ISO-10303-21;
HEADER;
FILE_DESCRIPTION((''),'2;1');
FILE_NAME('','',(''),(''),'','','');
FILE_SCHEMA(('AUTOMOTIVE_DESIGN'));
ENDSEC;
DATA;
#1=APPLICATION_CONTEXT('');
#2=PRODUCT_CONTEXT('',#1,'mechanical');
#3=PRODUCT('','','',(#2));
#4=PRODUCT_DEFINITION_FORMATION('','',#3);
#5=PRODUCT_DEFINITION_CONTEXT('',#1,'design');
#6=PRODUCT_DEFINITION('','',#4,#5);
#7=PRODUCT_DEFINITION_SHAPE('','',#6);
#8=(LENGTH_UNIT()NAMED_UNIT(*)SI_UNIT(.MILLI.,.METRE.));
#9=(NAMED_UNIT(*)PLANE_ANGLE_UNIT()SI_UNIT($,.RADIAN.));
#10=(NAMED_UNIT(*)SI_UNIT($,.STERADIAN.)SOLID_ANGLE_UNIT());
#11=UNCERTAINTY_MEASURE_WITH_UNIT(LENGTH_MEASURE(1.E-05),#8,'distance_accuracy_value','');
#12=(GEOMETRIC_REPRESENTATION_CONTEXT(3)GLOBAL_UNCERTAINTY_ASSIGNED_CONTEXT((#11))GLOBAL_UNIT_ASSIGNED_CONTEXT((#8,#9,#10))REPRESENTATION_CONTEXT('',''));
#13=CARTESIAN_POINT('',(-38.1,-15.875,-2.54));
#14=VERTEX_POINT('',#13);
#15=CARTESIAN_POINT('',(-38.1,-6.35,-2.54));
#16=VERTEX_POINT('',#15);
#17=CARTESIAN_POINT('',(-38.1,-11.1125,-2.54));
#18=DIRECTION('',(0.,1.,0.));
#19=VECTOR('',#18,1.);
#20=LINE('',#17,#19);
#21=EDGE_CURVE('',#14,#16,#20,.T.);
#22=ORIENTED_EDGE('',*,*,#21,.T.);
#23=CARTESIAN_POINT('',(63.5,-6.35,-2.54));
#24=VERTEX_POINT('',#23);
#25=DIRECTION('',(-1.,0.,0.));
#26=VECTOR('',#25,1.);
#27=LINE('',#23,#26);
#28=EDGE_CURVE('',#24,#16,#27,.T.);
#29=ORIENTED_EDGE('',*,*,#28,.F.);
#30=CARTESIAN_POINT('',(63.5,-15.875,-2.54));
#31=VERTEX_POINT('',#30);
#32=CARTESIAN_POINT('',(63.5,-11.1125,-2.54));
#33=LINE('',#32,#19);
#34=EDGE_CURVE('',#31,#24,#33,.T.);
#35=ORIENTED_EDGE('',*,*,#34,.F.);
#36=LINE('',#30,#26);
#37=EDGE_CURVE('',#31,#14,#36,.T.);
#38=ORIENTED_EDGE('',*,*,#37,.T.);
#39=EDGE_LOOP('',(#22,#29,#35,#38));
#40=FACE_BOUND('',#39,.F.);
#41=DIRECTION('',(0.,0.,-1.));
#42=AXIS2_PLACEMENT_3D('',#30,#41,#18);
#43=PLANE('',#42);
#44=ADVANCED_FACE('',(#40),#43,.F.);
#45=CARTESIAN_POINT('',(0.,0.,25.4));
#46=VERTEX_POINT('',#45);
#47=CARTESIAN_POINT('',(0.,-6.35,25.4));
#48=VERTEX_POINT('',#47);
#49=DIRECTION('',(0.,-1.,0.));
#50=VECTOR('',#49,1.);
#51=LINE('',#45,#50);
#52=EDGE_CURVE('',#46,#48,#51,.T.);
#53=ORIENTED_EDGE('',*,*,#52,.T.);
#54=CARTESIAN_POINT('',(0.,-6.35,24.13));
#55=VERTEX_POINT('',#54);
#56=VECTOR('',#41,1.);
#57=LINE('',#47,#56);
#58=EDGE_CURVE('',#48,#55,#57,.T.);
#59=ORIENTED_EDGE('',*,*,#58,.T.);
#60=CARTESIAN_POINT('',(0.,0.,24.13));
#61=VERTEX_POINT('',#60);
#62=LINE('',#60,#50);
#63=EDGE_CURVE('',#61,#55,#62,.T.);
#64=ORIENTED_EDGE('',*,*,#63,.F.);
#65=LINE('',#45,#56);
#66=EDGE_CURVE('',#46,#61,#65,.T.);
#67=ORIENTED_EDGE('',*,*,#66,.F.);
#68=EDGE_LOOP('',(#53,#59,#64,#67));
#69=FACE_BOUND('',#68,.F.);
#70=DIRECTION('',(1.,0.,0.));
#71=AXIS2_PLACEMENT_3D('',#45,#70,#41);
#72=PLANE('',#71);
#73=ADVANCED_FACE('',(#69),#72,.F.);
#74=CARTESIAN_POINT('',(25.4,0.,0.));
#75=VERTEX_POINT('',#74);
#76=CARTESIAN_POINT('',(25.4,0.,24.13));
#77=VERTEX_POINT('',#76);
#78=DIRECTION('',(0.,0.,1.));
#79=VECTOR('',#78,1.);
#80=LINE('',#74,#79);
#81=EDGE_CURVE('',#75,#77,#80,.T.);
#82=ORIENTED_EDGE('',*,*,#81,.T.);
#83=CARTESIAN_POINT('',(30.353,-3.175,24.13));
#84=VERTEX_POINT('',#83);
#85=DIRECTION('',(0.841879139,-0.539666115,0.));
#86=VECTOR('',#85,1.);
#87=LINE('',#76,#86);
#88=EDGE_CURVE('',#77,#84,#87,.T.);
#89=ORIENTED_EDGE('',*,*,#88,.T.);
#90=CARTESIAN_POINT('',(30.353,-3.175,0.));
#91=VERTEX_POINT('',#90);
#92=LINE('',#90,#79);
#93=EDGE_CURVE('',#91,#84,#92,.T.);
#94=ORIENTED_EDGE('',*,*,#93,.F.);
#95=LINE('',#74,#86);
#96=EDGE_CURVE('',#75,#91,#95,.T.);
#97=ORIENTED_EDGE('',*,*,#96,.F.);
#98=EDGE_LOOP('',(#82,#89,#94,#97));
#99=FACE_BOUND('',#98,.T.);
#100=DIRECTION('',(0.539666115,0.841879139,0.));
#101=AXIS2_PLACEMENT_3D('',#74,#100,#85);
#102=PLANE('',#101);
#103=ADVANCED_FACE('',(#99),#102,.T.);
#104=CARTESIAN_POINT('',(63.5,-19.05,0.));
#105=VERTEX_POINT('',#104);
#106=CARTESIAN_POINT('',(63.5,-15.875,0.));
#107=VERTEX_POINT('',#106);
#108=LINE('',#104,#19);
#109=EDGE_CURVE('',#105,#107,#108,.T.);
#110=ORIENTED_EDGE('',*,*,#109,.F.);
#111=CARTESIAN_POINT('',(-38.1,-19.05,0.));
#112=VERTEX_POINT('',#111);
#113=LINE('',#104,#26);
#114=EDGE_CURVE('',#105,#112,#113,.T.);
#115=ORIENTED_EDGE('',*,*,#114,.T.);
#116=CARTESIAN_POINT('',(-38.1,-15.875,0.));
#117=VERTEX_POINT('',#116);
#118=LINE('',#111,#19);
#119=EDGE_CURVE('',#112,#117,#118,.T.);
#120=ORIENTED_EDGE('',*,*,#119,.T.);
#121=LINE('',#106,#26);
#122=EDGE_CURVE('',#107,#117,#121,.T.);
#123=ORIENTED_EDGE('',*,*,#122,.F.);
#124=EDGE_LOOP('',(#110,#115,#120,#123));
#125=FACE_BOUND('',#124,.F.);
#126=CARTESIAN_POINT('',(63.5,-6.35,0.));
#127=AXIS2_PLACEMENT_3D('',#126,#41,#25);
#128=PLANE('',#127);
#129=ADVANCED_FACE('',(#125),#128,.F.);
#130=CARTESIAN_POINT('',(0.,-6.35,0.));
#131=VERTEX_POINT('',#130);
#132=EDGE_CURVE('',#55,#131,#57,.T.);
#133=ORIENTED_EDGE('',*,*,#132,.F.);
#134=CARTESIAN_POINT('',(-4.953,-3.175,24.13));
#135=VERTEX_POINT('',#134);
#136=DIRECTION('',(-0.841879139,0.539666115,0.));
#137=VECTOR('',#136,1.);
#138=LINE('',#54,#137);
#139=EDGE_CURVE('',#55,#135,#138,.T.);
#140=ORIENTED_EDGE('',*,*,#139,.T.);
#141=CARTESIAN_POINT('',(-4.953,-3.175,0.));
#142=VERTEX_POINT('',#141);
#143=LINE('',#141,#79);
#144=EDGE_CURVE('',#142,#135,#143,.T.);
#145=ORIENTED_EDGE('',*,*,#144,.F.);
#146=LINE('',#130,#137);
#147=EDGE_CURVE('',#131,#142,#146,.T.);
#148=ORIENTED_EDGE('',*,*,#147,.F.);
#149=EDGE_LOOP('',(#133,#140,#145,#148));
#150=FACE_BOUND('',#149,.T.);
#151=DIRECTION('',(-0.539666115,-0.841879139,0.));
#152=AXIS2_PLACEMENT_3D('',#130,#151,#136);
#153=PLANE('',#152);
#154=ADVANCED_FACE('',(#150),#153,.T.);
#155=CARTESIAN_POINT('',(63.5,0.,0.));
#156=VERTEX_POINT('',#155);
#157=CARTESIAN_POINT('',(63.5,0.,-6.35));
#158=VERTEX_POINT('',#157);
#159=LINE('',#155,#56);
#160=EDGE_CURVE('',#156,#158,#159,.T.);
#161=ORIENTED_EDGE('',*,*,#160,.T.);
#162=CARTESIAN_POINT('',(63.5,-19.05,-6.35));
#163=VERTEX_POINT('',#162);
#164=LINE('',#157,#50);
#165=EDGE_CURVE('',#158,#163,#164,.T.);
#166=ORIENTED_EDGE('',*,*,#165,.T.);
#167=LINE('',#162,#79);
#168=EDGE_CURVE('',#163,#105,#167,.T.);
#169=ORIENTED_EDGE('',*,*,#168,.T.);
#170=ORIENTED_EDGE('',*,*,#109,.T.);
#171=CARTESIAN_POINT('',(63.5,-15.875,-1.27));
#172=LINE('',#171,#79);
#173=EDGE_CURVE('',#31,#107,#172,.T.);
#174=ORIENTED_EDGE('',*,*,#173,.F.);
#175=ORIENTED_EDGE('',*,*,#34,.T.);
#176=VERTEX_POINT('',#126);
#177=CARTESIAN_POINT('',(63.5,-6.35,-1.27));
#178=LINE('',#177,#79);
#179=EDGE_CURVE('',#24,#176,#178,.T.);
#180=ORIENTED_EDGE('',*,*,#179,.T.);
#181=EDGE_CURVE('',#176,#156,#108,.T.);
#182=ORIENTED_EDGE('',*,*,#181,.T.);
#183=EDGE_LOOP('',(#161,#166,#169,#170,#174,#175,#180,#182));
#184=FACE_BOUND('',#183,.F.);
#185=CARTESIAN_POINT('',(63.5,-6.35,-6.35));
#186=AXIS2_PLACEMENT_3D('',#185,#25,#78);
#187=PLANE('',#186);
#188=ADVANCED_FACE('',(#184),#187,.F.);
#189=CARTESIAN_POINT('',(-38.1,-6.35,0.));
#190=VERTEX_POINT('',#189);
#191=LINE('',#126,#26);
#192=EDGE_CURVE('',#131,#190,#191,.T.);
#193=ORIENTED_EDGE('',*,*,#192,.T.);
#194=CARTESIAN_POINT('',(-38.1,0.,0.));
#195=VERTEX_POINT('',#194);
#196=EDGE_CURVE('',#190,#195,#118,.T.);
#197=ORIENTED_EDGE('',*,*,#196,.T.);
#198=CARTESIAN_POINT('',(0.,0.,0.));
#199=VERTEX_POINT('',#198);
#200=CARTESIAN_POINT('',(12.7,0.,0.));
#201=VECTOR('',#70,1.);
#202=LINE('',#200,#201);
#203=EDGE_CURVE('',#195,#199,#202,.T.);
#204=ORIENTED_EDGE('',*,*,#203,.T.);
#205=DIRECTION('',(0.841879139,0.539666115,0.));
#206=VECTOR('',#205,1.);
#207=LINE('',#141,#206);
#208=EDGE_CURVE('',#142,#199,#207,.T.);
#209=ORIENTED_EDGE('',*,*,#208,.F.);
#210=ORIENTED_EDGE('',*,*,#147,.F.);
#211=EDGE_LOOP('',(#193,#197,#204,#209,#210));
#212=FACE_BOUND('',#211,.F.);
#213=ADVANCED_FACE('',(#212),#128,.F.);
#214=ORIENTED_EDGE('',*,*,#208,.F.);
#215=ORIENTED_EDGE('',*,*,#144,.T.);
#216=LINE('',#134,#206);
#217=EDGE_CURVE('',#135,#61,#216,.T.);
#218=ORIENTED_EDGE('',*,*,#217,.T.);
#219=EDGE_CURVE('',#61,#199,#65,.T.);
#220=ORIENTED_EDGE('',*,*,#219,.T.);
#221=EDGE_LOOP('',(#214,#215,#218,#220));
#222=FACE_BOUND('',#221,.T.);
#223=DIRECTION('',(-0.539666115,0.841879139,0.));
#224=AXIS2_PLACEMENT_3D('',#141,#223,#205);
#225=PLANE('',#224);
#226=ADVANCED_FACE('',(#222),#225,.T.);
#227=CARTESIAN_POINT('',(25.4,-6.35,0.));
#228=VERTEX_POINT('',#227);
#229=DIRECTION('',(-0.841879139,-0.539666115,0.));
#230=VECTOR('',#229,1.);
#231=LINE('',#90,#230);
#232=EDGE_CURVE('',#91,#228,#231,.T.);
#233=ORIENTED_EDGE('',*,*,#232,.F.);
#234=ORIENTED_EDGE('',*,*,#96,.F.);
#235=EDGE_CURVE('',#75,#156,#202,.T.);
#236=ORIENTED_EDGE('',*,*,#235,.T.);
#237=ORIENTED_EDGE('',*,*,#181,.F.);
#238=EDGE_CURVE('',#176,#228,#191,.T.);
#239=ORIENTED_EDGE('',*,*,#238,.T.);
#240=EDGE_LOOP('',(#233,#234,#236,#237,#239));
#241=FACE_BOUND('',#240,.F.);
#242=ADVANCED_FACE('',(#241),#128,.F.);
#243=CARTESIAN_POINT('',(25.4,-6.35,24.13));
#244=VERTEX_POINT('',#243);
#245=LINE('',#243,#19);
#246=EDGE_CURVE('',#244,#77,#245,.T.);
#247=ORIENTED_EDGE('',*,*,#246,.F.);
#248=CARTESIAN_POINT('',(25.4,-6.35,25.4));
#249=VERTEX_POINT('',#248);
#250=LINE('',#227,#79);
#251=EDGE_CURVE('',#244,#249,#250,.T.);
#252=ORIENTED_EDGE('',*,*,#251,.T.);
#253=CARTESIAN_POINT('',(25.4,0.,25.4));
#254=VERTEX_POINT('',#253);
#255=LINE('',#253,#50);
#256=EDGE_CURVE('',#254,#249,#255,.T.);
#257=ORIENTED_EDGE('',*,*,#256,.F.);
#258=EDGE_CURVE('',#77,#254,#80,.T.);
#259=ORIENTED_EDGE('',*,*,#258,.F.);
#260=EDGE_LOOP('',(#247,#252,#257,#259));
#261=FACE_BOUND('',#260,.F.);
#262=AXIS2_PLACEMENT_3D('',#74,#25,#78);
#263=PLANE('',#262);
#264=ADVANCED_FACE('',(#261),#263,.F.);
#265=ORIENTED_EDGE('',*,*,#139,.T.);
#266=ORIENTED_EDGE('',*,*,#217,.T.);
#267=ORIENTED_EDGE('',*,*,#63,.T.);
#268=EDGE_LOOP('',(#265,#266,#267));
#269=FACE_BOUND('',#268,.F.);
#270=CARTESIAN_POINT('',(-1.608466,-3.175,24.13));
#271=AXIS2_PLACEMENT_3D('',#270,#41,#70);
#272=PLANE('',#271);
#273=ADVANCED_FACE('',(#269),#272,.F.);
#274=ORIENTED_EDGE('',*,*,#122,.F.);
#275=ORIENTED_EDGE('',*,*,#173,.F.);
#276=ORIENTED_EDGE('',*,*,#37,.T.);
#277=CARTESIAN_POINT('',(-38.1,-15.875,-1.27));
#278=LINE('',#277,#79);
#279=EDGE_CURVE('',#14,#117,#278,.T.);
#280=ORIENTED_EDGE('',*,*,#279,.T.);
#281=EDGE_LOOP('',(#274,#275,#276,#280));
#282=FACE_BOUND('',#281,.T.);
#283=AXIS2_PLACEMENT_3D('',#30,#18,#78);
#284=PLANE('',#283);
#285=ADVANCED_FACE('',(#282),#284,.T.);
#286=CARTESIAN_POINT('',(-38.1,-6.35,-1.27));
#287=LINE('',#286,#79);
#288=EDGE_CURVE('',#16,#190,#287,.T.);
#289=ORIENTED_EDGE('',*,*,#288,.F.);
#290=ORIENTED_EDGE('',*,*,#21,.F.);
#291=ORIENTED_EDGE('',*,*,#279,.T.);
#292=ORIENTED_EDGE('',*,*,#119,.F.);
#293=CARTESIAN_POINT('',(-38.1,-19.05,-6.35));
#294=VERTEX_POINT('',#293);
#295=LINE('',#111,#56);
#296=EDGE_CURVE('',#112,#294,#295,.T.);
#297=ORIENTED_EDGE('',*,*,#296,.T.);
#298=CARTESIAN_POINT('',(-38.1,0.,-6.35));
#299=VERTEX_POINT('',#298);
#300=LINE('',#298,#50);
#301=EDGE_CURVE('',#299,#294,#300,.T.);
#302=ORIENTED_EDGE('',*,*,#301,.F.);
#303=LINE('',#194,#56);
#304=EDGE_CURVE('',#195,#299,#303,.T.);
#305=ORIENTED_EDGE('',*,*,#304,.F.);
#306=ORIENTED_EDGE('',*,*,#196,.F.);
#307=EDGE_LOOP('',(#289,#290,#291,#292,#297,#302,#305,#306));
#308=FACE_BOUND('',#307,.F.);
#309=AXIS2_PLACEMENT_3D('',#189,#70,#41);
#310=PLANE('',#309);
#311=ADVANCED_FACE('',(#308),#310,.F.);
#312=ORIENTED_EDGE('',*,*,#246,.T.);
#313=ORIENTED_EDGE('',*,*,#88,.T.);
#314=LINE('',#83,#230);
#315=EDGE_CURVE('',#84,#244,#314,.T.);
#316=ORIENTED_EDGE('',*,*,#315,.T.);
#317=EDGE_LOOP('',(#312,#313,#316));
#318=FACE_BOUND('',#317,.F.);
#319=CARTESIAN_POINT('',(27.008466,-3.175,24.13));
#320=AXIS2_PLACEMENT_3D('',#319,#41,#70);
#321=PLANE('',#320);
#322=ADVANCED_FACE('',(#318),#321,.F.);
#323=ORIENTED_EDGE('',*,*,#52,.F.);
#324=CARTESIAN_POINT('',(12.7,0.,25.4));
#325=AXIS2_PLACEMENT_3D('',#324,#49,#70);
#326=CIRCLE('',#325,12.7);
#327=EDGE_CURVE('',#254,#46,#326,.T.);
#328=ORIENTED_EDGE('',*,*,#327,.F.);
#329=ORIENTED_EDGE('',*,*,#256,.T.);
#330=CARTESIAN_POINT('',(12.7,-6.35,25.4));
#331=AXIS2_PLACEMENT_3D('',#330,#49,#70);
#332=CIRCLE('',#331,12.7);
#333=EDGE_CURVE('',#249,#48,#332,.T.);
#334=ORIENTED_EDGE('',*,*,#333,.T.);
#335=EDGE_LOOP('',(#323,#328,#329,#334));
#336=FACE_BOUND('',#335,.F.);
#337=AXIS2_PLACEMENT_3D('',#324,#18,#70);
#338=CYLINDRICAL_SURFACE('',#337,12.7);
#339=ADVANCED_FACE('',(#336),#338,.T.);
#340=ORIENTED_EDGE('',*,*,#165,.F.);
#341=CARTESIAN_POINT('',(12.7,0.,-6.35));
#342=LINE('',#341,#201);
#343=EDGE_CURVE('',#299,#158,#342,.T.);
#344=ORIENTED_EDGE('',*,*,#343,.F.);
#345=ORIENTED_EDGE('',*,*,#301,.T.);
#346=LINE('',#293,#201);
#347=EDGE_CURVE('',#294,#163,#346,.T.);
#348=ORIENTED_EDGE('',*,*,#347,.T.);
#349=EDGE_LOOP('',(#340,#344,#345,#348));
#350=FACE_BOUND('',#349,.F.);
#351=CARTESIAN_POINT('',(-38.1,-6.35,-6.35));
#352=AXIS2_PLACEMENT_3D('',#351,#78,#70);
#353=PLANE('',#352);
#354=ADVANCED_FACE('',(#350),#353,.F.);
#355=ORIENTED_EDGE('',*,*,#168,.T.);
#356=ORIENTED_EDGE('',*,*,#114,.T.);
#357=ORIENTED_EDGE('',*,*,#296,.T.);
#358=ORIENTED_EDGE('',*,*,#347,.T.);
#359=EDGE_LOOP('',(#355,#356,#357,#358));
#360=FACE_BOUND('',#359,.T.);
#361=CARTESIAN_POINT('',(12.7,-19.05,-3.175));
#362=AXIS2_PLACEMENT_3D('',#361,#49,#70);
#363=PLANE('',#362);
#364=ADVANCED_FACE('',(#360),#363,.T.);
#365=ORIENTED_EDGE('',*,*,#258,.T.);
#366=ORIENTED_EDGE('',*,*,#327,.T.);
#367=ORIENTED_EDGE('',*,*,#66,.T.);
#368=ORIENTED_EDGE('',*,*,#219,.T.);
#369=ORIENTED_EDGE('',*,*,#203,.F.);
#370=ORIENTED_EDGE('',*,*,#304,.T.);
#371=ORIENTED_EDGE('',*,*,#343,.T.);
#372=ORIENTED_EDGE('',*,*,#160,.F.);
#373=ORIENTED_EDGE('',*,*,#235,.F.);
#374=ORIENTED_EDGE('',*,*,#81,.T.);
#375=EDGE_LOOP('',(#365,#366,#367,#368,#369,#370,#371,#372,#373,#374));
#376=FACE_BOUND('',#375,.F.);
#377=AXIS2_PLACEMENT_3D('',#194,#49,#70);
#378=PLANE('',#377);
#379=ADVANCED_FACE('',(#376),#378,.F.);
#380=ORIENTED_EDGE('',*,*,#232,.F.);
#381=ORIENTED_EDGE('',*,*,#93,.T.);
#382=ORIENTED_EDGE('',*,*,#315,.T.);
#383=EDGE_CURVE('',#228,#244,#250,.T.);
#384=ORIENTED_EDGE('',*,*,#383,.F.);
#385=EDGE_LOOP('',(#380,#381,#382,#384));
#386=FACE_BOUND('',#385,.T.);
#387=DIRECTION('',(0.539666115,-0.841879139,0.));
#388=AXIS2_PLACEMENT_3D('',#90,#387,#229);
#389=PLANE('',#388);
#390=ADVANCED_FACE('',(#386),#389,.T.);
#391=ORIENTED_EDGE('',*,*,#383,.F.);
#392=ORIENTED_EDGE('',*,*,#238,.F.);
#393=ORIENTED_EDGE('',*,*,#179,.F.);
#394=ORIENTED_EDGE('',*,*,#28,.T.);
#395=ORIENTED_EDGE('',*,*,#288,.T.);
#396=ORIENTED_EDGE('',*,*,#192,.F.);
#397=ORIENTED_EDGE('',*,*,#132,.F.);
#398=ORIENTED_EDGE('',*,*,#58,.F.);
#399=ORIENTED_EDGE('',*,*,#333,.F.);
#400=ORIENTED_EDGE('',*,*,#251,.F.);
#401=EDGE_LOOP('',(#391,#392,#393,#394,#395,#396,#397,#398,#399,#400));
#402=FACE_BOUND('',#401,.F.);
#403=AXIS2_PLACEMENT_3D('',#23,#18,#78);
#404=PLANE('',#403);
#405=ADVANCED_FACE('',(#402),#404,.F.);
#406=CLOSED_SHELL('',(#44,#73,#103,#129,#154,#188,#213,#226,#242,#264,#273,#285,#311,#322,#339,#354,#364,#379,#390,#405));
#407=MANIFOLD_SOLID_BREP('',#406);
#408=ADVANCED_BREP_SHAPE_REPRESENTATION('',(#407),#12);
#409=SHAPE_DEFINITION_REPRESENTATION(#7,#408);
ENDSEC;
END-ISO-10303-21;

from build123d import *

# Parameters (mm, degrees)
F1_DEPTH = 6.35
F3_DEPTH = 24.13
F4_W     = 101.6
F4_H     = 6.35
F5_DEPTH = 6.35
F7_DEPTH = 12.7
F8_W     = 9.525
F8_H     = 2.54
F9_DEPTH = 114.282591


with BuildPart() as f1:
    # F0 (on Front) → F1 (new body)
    with BuildSketch(Plane.XZ):
        with BuildLine():
            Line((0, 25.4), (0, 0))
            Line((0, 0), (25.4, 0))
            Line((25.4, 0), (25.4, 25.4))
            ThreePointArc((25.4, 25.4), (12.7, 38.1), (0, 25.4))
        make_face()
    extrude(amount=F1_DEPTH)

    # F2 (on face) → F3 (join)
    with BuildSketch(Plane(origin=(0, 0, 0), x_dir=(1, 0, 0), z_dir=(0, 0, -1))):
        Polygon((-4.953, 3.175), (0, 0), (0, 6.35), align=None)
        Polygon((30.353, 3.175), (25.4, 6.35), (25.4, 0), align=None)
    extrude(amount=-F3_DEPTH)

    # F4 (on face) → F5 (join)
    with BuildSketch(Plane(origin=(0, 0, 0), x_dir=(1, 0, 0), z_dir=(0, 0, -1))):
        with Locations((12.7, 3.175)):
            Rectangle(F4_W, F4_H)
    extrude(amount=F5_DEPTH)

    # F6 (on face) → F7 (join)
    with BuildSketch(Plane.XZ.offset(6.35)):
        Polygon((25.4, 0), (0, 0), (-38.1, 0), (-38.1, -6.35), (63.5, -6.35), (63.5, 0), align=None)
    extrude(amount=F7_DEPTH)

    # F8 (on face) → F9 (cut)
    with BuildSketch(Plane.YZ.offset(63.5)):
        with Locations((-11.1125, -1.27)):
            Rectangle(F8_W, F8_H)
    extrude(amount=-F9_DEPTH, mode=Mode.SUBTRACT)


solid = f1.part
